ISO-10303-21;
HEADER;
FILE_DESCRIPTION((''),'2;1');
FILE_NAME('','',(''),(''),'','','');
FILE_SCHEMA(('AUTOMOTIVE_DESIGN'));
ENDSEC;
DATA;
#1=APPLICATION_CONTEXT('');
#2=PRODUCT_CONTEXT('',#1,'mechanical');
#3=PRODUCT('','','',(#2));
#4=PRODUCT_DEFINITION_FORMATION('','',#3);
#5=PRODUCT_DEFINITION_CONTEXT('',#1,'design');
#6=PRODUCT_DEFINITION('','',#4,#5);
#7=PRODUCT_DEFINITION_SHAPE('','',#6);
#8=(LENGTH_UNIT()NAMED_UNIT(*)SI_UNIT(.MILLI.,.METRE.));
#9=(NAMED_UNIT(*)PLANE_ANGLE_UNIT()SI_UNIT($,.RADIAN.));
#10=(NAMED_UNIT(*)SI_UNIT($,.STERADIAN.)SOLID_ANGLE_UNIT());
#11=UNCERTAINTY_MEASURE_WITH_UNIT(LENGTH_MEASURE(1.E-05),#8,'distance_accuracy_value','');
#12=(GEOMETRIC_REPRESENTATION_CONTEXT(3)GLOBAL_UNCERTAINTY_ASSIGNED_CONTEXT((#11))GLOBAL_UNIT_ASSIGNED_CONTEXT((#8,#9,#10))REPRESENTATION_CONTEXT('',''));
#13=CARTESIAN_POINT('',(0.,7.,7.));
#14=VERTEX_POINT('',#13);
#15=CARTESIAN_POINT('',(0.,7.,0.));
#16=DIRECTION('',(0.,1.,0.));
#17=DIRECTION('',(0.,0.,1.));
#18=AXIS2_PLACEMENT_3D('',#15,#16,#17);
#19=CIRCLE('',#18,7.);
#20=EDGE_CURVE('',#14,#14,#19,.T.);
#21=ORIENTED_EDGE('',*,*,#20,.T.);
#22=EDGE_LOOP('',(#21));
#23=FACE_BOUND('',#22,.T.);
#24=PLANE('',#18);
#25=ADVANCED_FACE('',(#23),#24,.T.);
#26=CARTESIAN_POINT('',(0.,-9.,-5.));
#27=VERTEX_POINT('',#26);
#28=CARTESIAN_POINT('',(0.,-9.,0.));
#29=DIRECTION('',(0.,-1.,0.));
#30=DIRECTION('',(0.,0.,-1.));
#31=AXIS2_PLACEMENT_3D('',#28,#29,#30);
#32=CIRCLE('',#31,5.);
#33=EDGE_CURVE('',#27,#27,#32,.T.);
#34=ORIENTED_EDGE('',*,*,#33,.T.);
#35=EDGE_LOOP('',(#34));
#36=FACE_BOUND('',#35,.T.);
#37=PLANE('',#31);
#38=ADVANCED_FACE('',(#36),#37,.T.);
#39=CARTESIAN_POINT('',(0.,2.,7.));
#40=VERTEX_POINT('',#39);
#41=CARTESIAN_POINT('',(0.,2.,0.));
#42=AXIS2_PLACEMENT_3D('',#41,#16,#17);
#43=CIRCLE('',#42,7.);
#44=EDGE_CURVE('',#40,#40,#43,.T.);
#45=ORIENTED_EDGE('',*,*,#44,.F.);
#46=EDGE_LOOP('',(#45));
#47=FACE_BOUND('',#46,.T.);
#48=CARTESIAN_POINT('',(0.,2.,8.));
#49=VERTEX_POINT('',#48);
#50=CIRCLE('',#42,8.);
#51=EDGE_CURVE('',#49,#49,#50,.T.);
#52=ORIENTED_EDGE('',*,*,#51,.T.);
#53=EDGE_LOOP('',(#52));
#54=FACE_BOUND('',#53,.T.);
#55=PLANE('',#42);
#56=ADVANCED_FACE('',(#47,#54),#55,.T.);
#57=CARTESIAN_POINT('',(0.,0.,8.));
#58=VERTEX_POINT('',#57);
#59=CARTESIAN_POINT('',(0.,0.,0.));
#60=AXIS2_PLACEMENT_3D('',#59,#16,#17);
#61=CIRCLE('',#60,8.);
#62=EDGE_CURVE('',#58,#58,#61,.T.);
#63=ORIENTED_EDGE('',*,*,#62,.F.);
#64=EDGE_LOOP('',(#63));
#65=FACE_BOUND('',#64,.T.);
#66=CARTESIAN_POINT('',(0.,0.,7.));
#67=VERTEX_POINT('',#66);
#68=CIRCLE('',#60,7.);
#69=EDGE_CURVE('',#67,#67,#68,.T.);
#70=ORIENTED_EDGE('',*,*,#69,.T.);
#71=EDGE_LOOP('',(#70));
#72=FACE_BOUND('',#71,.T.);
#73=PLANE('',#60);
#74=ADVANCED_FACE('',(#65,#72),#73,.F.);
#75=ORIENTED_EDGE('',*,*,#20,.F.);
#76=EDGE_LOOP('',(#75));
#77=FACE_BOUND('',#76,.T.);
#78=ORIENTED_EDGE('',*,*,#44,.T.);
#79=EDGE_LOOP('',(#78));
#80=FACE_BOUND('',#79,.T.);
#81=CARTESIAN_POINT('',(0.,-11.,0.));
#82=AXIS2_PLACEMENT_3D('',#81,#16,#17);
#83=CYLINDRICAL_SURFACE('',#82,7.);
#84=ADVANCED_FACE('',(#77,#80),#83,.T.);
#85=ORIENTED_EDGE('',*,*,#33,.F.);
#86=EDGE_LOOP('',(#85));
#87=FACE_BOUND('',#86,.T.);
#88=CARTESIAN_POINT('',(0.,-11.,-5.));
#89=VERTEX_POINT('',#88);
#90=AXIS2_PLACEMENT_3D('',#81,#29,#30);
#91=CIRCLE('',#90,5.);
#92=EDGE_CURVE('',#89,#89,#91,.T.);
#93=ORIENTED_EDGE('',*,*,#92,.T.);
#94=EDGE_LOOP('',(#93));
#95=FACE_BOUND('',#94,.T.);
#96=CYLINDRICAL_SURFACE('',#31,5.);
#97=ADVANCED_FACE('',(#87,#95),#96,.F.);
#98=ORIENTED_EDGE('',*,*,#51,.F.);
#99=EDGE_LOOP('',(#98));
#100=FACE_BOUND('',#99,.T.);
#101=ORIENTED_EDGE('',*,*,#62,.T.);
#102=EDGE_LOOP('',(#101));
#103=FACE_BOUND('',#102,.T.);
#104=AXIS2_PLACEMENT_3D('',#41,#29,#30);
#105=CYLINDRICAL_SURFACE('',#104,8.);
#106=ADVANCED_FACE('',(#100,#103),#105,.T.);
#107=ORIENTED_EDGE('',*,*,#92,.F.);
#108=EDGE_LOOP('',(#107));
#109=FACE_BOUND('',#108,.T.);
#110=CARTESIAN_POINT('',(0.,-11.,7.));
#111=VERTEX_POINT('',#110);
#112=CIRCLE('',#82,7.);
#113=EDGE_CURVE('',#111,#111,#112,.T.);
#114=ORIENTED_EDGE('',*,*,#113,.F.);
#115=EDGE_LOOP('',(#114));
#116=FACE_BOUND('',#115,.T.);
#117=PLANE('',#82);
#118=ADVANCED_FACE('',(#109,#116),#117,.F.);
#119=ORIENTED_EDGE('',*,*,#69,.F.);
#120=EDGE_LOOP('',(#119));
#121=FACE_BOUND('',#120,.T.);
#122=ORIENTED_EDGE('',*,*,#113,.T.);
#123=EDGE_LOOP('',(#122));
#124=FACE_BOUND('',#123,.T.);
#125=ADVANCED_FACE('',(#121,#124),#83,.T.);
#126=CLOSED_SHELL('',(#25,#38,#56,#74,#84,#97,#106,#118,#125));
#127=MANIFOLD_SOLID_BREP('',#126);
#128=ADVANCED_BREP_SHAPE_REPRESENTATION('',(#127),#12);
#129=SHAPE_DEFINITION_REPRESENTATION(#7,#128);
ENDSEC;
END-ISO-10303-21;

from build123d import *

# Parameters (mm, degrees)
SKETCH1_R                = 8
BOSS_EXTRUDE1_DEPTH      = 2
SKETCH2_R                = 7
BOSS_EXTRUDE2_DEPTH      = 5
BOSS_EXTRUDE2_DEPTH_BACK = 13
SKETCH4_R                = 5
CUT_EXTRUDE2_DEPTH       = 2


with BuildPart() as part:
    # Sketch1 → Boss-Extrude1 (new body)
    with BuildSketch(Plane(origin=(0, 0, 0), x_dir=(1, 0, 0), z_dir=(0, 1, 0))):
        Circle(SKETCH1_R)
    extrude(amount=BOSS_EXTRUDE1_DEPTH)

    # Sketch2 → Boss-Extrude2 (add, two sides)
    with BuildSketch(Plane(origin=(0, 2, 0), x_dir=(1, 0, 0), z_dir=(0, 1, 0))) as boss_extrude2_sk:
        Circle(SKETCH2_R)
    extrude(amount=BOSS_EXTRUDE2_DEPTH)
    extrude(boss_extrude2_sk.sketch, amount=-BOSS_EXTRUDE2_DEPTH_BACK)

    # Sketch4 → Cut-Extrude2 (cut)
    with BuildSketch(Plane.XZ.offset(11)):
        Circle(SKETCH4_R)
    extrude(amount=-CUT_EXTRUDE2_DEPTH, mode=Mode.SUBTRACT)


solid = part.part
